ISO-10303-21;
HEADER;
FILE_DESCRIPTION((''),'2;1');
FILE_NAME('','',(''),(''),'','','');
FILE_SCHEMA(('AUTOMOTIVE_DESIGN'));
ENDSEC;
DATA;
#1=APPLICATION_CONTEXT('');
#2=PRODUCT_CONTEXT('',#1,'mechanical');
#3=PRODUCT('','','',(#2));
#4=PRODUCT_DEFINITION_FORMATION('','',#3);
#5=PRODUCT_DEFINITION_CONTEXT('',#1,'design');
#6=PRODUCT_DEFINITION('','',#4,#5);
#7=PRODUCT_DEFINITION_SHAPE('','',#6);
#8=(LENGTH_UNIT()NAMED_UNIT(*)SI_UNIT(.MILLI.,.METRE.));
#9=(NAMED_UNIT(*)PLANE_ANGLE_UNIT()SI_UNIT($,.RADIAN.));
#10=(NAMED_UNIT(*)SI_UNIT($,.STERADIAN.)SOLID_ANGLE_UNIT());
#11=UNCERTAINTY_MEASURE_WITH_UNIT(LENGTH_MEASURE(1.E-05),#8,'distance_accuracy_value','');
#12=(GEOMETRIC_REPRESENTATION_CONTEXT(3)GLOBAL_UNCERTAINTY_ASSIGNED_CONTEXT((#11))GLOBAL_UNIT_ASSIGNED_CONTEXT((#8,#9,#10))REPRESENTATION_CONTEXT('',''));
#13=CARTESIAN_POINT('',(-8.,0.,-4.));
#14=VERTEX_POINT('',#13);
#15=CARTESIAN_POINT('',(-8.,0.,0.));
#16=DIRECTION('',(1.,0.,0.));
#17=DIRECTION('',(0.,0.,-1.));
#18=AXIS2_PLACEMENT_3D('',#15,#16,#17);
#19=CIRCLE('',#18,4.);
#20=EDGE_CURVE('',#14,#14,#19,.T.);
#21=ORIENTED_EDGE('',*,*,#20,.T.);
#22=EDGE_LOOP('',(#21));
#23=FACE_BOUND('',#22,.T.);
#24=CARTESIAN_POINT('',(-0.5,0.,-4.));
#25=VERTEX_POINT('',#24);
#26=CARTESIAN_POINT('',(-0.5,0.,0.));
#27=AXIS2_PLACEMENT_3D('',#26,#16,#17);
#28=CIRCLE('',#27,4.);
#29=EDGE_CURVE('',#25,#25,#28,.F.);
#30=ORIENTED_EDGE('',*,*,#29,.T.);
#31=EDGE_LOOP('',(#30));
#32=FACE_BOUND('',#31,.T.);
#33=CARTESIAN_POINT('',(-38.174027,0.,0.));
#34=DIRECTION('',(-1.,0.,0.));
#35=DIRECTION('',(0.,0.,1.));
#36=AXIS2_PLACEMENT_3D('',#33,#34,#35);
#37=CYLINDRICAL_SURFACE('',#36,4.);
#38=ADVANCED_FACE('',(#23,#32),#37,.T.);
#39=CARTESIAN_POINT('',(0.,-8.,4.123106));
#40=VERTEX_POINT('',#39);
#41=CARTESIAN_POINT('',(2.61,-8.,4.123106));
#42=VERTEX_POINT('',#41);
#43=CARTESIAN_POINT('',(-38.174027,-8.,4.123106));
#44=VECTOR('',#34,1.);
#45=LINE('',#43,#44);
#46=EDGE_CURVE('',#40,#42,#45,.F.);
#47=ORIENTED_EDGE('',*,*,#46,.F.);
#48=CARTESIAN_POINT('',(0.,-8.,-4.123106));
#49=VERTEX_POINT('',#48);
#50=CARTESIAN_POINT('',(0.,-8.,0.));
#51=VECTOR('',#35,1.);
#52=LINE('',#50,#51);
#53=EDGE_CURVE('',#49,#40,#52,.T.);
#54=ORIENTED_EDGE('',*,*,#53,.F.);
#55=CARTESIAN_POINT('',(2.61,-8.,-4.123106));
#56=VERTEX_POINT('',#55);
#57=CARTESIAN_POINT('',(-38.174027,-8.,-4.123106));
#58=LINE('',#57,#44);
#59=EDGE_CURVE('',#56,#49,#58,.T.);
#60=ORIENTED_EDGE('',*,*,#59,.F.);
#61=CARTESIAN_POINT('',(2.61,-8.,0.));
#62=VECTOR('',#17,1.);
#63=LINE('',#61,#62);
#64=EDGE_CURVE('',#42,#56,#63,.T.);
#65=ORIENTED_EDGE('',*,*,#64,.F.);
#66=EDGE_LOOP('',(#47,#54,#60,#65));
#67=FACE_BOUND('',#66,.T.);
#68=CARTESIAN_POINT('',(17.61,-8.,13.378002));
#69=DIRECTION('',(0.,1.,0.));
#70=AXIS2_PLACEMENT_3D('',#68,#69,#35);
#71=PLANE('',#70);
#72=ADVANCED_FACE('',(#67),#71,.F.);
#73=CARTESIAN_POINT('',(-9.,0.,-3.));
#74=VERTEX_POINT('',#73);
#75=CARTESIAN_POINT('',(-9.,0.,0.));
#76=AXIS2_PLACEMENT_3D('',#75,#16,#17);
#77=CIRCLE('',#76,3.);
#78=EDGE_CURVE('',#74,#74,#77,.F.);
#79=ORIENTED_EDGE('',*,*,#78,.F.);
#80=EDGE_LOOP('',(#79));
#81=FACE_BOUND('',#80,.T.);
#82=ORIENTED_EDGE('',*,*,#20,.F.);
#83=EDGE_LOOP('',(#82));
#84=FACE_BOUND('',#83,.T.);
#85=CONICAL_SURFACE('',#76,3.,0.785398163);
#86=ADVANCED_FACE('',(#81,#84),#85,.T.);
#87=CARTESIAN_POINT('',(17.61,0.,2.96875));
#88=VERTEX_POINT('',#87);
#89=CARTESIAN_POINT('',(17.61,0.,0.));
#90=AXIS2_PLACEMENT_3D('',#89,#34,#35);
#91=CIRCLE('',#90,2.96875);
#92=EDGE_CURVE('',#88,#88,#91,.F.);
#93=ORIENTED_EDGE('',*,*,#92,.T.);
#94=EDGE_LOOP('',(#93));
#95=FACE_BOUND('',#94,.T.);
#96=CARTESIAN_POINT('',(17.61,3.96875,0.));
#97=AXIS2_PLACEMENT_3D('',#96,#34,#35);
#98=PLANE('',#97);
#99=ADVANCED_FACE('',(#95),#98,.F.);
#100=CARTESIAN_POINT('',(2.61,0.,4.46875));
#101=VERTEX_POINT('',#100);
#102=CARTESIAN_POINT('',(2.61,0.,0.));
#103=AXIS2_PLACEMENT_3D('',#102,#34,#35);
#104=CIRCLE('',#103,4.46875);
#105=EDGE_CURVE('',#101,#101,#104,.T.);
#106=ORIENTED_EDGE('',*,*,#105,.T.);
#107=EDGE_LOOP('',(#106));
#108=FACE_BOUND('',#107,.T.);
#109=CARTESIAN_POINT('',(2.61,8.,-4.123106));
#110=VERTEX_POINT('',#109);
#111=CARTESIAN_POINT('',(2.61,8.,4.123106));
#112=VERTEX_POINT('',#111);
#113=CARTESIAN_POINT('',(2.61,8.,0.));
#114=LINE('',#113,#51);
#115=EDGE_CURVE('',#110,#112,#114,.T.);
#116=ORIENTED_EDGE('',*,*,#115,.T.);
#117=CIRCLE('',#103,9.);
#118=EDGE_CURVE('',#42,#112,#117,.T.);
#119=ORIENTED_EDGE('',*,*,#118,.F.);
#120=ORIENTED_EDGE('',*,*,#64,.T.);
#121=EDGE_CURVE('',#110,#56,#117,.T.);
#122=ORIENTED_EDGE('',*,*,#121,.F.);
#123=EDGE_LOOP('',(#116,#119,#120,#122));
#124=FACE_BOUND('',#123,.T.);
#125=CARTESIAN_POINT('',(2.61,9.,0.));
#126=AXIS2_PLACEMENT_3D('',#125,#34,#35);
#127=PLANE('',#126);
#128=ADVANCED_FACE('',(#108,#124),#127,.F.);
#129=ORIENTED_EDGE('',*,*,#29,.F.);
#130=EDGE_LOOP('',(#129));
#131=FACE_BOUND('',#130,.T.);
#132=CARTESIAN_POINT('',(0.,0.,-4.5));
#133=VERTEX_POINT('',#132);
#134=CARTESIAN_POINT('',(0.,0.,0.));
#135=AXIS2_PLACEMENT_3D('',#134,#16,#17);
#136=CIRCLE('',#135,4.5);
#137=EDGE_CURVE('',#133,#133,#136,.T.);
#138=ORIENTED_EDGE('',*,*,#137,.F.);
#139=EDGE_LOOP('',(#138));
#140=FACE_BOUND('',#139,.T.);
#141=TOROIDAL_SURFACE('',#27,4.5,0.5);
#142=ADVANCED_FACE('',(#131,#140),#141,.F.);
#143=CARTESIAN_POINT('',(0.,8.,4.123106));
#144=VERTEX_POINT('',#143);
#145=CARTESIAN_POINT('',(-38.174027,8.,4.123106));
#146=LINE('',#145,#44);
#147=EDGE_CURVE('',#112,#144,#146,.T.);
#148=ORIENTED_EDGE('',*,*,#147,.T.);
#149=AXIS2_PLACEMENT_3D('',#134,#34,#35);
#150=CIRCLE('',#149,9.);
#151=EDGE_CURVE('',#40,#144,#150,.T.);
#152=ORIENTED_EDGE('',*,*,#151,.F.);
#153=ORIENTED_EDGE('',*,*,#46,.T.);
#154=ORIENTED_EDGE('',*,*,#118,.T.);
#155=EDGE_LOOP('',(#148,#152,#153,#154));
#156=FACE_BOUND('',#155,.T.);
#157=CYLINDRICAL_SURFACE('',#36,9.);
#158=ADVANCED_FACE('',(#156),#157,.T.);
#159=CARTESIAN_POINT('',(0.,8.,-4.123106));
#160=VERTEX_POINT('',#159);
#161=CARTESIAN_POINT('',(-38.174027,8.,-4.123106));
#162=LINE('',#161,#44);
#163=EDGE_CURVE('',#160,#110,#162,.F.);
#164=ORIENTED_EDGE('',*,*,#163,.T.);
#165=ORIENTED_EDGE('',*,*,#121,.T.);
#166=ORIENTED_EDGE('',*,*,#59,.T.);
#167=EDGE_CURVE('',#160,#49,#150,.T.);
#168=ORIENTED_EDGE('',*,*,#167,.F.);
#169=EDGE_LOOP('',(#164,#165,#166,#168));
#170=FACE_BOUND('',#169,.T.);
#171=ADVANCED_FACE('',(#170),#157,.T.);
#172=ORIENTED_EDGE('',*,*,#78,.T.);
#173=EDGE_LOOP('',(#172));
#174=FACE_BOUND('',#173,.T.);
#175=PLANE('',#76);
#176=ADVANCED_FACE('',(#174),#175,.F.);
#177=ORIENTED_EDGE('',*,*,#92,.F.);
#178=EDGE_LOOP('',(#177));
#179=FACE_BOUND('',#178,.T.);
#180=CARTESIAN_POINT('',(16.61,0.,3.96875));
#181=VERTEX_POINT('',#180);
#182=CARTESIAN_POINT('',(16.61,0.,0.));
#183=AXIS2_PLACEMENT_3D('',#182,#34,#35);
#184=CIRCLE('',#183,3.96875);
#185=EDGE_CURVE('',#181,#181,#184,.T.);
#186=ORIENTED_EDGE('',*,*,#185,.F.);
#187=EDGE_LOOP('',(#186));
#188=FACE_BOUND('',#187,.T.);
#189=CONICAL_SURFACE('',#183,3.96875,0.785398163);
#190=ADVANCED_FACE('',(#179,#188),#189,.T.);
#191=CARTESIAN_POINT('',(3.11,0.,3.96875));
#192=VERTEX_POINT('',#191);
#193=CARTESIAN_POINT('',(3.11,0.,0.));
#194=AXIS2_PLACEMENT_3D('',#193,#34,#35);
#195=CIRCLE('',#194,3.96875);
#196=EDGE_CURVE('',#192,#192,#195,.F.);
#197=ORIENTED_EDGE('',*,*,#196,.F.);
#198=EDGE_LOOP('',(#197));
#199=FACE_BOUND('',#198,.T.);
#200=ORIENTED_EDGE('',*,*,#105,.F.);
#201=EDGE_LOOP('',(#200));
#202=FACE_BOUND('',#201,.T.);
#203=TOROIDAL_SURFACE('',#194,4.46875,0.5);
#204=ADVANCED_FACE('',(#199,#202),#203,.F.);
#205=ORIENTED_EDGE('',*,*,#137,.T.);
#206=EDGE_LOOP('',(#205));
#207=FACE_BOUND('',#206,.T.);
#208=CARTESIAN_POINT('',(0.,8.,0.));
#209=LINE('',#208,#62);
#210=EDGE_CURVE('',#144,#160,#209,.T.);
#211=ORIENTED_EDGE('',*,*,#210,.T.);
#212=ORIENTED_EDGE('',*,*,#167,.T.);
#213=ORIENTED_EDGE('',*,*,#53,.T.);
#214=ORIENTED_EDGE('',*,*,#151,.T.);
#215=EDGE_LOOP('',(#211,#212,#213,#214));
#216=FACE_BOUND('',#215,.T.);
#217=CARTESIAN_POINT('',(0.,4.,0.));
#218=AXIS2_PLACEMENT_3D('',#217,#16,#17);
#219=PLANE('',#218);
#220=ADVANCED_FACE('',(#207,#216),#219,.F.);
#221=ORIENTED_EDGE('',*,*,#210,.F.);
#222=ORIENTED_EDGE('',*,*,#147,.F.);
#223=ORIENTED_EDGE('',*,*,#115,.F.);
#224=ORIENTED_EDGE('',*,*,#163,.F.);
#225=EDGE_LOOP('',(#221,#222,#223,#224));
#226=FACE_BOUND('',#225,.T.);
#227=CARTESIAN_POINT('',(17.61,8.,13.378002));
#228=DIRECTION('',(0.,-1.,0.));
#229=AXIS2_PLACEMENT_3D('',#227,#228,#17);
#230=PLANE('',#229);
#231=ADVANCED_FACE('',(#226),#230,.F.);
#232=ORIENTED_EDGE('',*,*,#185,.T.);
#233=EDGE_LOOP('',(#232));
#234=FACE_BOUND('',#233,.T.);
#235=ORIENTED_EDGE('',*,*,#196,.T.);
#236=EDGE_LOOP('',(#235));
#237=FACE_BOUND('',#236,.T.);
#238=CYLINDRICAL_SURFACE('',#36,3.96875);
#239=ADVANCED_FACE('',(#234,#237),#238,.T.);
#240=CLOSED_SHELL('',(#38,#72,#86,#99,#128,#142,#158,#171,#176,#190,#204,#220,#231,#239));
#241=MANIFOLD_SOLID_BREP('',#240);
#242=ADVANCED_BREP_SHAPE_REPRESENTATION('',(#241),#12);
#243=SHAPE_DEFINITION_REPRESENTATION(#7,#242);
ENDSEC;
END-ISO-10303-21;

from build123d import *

# Parameters (mm, degrees)
CHAMFER1_SIZE           = 1
FILLET1_R               = 0.5
SKETCH2_OUTSIDE_W       = 27.366
SKETCH2_OUTSIDE_H       = 27.366
SKETCH2_OUTSIDE_W_2     = 26.756004186
SKETCH2_OUTSIDE_H_2     = 16
CUT_EXTRUDE1_DEPTH      = 18.61
CUT_EXTRUDE1_DEPTH_BACK = 10


with BuildPart() as part:
    # Sketch1 → Revolve1 (revolve)
    with BuildSketch(Plane.XY):
        Polygon((0, 4), (0, 9), (2.61, 9), (2.61, 3.96875), (17.61, 3.96875), (17.61, 0), (-9, 0), (-9, 4), align=None)
    revolve(axis=Axis((-38.174026976, 0, 0), (1, 0, 0)))

    # Chamfer1
    chamfer1_edges = [part.edges().sort_by_distance(p)[0] for p in [
        (17.61, -3.96875, 0),
        (-9, -4, 0),
    ]]
    chamfer(chamfer1_edges, length=CHAMFER1_SIZE)

    # Fillet1
    fillet1_edges = [part.edges().sort_by_distance(p)[0] for p in [
        (0, -4, 0),
        (2.61, -3.96875, 0),
    ]]
    fillet(fillet1_edges, radius=FILLET1_R)

    # Sketch2 outside → Cut-Extrude1 (cut, two sides)
    with BuildSketch(Plane(origin=(0, 0, 0), x_dir=(0, 0, -1), z_dir=(1, 0, 0))) as cut_extrude1_sk:
        Rectangle(SKETCH2_OUTSIDE_W, SKETCH2_OUTSIDE_H)
        Rectangle(SKETCH2_OUTSIDE_W_2, SKETCH2_OUTSIDE_H_2, mode=Mode.SUBTRACT)
    extrude(amount=CUT_EXTRUDE1_DEPTH, mode=Mode.SUBTRACT)
    extrude(cut_extrude1_sk.sketch, amount=-CUT_EXTRUDE1_DEPTH_BACK, mode=Mode.SUBTRACT)


solid = part.part
